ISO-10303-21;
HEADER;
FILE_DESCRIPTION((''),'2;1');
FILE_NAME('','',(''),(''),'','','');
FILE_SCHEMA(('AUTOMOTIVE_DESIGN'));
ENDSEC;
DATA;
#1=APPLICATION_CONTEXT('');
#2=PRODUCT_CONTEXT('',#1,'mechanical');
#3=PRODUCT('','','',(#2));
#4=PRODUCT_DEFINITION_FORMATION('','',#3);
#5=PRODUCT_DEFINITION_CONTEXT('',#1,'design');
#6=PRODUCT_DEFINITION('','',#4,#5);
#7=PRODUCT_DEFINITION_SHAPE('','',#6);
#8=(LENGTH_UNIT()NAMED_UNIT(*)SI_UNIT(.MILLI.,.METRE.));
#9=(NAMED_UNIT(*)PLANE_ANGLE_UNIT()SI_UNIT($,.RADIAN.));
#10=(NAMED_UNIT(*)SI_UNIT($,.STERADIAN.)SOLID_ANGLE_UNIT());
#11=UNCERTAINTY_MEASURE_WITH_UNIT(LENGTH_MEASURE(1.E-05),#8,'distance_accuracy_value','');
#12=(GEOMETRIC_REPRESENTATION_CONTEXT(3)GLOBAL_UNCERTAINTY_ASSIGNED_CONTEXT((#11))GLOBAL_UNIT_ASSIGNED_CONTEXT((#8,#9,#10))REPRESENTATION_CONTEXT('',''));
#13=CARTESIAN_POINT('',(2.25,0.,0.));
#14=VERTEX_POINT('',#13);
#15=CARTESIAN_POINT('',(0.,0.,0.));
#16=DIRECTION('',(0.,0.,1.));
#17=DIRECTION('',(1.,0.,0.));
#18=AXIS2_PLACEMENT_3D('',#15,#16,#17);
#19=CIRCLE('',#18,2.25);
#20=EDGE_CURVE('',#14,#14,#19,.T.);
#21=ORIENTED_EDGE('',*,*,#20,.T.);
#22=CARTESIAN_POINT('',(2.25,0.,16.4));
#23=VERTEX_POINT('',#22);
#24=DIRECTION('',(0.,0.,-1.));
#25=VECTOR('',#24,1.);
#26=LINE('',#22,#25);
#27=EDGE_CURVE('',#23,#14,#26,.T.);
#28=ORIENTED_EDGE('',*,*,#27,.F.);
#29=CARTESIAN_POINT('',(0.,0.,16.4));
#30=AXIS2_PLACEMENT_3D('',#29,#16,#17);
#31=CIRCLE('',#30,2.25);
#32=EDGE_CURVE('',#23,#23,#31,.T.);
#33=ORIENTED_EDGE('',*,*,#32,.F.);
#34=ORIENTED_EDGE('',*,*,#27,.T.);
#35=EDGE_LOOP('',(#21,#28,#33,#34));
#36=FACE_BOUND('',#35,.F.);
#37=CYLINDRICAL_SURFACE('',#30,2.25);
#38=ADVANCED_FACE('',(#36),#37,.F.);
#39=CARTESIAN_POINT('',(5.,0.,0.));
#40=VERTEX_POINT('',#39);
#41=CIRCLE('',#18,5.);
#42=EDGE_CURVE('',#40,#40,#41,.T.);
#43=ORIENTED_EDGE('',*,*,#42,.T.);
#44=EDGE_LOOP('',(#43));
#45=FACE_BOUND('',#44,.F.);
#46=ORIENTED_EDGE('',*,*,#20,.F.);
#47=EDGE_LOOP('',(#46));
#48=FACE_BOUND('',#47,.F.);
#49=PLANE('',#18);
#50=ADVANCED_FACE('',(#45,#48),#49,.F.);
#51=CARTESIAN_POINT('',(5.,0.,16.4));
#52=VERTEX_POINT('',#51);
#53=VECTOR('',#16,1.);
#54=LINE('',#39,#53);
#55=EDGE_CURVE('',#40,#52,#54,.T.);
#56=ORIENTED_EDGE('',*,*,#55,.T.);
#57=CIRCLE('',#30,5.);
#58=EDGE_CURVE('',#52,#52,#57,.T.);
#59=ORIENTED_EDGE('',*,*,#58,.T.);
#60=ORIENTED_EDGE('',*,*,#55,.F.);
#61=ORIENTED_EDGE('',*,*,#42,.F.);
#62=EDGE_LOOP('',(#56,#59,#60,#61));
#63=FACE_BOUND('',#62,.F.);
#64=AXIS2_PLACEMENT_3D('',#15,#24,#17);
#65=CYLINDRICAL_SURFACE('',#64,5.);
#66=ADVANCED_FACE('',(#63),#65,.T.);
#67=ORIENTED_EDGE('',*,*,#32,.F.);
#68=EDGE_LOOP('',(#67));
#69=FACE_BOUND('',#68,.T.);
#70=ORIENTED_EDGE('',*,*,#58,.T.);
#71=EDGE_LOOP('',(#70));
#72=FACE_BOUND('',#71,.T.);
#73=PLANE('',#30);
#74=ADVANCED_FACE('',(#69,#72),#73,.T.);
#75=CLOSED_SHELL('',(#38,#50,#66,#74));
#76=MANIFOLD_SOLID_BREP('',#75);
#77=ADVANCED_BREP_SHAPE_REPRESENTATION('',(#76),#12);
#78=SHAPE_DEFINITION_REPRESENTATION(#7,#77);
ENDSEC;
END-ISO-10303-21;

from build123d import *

# Parameters (mm, degrees)
SKETCH_R     = 5
PAD_DEPTH    = 16.4
SKETCH001_R  = 2.25
POCKET_DEPTH = 16.401


with BuildPart() as part:
    # Sketch → Pad (new body)
    with BuildSketch(Plane.XY):
        Circle(SKETCH_R)
    extrude(amount=PAD_DEPTH)

    # Sketch001 → Pocket (cut, through all)
    with BuildSketch(Plane.XY.offset(16.4)):
        Circle(SKETCH001_R)
    extrude(amount=-POCKET_DEPTH, mode=Mode.SUBTRACT)


solid = part.part
